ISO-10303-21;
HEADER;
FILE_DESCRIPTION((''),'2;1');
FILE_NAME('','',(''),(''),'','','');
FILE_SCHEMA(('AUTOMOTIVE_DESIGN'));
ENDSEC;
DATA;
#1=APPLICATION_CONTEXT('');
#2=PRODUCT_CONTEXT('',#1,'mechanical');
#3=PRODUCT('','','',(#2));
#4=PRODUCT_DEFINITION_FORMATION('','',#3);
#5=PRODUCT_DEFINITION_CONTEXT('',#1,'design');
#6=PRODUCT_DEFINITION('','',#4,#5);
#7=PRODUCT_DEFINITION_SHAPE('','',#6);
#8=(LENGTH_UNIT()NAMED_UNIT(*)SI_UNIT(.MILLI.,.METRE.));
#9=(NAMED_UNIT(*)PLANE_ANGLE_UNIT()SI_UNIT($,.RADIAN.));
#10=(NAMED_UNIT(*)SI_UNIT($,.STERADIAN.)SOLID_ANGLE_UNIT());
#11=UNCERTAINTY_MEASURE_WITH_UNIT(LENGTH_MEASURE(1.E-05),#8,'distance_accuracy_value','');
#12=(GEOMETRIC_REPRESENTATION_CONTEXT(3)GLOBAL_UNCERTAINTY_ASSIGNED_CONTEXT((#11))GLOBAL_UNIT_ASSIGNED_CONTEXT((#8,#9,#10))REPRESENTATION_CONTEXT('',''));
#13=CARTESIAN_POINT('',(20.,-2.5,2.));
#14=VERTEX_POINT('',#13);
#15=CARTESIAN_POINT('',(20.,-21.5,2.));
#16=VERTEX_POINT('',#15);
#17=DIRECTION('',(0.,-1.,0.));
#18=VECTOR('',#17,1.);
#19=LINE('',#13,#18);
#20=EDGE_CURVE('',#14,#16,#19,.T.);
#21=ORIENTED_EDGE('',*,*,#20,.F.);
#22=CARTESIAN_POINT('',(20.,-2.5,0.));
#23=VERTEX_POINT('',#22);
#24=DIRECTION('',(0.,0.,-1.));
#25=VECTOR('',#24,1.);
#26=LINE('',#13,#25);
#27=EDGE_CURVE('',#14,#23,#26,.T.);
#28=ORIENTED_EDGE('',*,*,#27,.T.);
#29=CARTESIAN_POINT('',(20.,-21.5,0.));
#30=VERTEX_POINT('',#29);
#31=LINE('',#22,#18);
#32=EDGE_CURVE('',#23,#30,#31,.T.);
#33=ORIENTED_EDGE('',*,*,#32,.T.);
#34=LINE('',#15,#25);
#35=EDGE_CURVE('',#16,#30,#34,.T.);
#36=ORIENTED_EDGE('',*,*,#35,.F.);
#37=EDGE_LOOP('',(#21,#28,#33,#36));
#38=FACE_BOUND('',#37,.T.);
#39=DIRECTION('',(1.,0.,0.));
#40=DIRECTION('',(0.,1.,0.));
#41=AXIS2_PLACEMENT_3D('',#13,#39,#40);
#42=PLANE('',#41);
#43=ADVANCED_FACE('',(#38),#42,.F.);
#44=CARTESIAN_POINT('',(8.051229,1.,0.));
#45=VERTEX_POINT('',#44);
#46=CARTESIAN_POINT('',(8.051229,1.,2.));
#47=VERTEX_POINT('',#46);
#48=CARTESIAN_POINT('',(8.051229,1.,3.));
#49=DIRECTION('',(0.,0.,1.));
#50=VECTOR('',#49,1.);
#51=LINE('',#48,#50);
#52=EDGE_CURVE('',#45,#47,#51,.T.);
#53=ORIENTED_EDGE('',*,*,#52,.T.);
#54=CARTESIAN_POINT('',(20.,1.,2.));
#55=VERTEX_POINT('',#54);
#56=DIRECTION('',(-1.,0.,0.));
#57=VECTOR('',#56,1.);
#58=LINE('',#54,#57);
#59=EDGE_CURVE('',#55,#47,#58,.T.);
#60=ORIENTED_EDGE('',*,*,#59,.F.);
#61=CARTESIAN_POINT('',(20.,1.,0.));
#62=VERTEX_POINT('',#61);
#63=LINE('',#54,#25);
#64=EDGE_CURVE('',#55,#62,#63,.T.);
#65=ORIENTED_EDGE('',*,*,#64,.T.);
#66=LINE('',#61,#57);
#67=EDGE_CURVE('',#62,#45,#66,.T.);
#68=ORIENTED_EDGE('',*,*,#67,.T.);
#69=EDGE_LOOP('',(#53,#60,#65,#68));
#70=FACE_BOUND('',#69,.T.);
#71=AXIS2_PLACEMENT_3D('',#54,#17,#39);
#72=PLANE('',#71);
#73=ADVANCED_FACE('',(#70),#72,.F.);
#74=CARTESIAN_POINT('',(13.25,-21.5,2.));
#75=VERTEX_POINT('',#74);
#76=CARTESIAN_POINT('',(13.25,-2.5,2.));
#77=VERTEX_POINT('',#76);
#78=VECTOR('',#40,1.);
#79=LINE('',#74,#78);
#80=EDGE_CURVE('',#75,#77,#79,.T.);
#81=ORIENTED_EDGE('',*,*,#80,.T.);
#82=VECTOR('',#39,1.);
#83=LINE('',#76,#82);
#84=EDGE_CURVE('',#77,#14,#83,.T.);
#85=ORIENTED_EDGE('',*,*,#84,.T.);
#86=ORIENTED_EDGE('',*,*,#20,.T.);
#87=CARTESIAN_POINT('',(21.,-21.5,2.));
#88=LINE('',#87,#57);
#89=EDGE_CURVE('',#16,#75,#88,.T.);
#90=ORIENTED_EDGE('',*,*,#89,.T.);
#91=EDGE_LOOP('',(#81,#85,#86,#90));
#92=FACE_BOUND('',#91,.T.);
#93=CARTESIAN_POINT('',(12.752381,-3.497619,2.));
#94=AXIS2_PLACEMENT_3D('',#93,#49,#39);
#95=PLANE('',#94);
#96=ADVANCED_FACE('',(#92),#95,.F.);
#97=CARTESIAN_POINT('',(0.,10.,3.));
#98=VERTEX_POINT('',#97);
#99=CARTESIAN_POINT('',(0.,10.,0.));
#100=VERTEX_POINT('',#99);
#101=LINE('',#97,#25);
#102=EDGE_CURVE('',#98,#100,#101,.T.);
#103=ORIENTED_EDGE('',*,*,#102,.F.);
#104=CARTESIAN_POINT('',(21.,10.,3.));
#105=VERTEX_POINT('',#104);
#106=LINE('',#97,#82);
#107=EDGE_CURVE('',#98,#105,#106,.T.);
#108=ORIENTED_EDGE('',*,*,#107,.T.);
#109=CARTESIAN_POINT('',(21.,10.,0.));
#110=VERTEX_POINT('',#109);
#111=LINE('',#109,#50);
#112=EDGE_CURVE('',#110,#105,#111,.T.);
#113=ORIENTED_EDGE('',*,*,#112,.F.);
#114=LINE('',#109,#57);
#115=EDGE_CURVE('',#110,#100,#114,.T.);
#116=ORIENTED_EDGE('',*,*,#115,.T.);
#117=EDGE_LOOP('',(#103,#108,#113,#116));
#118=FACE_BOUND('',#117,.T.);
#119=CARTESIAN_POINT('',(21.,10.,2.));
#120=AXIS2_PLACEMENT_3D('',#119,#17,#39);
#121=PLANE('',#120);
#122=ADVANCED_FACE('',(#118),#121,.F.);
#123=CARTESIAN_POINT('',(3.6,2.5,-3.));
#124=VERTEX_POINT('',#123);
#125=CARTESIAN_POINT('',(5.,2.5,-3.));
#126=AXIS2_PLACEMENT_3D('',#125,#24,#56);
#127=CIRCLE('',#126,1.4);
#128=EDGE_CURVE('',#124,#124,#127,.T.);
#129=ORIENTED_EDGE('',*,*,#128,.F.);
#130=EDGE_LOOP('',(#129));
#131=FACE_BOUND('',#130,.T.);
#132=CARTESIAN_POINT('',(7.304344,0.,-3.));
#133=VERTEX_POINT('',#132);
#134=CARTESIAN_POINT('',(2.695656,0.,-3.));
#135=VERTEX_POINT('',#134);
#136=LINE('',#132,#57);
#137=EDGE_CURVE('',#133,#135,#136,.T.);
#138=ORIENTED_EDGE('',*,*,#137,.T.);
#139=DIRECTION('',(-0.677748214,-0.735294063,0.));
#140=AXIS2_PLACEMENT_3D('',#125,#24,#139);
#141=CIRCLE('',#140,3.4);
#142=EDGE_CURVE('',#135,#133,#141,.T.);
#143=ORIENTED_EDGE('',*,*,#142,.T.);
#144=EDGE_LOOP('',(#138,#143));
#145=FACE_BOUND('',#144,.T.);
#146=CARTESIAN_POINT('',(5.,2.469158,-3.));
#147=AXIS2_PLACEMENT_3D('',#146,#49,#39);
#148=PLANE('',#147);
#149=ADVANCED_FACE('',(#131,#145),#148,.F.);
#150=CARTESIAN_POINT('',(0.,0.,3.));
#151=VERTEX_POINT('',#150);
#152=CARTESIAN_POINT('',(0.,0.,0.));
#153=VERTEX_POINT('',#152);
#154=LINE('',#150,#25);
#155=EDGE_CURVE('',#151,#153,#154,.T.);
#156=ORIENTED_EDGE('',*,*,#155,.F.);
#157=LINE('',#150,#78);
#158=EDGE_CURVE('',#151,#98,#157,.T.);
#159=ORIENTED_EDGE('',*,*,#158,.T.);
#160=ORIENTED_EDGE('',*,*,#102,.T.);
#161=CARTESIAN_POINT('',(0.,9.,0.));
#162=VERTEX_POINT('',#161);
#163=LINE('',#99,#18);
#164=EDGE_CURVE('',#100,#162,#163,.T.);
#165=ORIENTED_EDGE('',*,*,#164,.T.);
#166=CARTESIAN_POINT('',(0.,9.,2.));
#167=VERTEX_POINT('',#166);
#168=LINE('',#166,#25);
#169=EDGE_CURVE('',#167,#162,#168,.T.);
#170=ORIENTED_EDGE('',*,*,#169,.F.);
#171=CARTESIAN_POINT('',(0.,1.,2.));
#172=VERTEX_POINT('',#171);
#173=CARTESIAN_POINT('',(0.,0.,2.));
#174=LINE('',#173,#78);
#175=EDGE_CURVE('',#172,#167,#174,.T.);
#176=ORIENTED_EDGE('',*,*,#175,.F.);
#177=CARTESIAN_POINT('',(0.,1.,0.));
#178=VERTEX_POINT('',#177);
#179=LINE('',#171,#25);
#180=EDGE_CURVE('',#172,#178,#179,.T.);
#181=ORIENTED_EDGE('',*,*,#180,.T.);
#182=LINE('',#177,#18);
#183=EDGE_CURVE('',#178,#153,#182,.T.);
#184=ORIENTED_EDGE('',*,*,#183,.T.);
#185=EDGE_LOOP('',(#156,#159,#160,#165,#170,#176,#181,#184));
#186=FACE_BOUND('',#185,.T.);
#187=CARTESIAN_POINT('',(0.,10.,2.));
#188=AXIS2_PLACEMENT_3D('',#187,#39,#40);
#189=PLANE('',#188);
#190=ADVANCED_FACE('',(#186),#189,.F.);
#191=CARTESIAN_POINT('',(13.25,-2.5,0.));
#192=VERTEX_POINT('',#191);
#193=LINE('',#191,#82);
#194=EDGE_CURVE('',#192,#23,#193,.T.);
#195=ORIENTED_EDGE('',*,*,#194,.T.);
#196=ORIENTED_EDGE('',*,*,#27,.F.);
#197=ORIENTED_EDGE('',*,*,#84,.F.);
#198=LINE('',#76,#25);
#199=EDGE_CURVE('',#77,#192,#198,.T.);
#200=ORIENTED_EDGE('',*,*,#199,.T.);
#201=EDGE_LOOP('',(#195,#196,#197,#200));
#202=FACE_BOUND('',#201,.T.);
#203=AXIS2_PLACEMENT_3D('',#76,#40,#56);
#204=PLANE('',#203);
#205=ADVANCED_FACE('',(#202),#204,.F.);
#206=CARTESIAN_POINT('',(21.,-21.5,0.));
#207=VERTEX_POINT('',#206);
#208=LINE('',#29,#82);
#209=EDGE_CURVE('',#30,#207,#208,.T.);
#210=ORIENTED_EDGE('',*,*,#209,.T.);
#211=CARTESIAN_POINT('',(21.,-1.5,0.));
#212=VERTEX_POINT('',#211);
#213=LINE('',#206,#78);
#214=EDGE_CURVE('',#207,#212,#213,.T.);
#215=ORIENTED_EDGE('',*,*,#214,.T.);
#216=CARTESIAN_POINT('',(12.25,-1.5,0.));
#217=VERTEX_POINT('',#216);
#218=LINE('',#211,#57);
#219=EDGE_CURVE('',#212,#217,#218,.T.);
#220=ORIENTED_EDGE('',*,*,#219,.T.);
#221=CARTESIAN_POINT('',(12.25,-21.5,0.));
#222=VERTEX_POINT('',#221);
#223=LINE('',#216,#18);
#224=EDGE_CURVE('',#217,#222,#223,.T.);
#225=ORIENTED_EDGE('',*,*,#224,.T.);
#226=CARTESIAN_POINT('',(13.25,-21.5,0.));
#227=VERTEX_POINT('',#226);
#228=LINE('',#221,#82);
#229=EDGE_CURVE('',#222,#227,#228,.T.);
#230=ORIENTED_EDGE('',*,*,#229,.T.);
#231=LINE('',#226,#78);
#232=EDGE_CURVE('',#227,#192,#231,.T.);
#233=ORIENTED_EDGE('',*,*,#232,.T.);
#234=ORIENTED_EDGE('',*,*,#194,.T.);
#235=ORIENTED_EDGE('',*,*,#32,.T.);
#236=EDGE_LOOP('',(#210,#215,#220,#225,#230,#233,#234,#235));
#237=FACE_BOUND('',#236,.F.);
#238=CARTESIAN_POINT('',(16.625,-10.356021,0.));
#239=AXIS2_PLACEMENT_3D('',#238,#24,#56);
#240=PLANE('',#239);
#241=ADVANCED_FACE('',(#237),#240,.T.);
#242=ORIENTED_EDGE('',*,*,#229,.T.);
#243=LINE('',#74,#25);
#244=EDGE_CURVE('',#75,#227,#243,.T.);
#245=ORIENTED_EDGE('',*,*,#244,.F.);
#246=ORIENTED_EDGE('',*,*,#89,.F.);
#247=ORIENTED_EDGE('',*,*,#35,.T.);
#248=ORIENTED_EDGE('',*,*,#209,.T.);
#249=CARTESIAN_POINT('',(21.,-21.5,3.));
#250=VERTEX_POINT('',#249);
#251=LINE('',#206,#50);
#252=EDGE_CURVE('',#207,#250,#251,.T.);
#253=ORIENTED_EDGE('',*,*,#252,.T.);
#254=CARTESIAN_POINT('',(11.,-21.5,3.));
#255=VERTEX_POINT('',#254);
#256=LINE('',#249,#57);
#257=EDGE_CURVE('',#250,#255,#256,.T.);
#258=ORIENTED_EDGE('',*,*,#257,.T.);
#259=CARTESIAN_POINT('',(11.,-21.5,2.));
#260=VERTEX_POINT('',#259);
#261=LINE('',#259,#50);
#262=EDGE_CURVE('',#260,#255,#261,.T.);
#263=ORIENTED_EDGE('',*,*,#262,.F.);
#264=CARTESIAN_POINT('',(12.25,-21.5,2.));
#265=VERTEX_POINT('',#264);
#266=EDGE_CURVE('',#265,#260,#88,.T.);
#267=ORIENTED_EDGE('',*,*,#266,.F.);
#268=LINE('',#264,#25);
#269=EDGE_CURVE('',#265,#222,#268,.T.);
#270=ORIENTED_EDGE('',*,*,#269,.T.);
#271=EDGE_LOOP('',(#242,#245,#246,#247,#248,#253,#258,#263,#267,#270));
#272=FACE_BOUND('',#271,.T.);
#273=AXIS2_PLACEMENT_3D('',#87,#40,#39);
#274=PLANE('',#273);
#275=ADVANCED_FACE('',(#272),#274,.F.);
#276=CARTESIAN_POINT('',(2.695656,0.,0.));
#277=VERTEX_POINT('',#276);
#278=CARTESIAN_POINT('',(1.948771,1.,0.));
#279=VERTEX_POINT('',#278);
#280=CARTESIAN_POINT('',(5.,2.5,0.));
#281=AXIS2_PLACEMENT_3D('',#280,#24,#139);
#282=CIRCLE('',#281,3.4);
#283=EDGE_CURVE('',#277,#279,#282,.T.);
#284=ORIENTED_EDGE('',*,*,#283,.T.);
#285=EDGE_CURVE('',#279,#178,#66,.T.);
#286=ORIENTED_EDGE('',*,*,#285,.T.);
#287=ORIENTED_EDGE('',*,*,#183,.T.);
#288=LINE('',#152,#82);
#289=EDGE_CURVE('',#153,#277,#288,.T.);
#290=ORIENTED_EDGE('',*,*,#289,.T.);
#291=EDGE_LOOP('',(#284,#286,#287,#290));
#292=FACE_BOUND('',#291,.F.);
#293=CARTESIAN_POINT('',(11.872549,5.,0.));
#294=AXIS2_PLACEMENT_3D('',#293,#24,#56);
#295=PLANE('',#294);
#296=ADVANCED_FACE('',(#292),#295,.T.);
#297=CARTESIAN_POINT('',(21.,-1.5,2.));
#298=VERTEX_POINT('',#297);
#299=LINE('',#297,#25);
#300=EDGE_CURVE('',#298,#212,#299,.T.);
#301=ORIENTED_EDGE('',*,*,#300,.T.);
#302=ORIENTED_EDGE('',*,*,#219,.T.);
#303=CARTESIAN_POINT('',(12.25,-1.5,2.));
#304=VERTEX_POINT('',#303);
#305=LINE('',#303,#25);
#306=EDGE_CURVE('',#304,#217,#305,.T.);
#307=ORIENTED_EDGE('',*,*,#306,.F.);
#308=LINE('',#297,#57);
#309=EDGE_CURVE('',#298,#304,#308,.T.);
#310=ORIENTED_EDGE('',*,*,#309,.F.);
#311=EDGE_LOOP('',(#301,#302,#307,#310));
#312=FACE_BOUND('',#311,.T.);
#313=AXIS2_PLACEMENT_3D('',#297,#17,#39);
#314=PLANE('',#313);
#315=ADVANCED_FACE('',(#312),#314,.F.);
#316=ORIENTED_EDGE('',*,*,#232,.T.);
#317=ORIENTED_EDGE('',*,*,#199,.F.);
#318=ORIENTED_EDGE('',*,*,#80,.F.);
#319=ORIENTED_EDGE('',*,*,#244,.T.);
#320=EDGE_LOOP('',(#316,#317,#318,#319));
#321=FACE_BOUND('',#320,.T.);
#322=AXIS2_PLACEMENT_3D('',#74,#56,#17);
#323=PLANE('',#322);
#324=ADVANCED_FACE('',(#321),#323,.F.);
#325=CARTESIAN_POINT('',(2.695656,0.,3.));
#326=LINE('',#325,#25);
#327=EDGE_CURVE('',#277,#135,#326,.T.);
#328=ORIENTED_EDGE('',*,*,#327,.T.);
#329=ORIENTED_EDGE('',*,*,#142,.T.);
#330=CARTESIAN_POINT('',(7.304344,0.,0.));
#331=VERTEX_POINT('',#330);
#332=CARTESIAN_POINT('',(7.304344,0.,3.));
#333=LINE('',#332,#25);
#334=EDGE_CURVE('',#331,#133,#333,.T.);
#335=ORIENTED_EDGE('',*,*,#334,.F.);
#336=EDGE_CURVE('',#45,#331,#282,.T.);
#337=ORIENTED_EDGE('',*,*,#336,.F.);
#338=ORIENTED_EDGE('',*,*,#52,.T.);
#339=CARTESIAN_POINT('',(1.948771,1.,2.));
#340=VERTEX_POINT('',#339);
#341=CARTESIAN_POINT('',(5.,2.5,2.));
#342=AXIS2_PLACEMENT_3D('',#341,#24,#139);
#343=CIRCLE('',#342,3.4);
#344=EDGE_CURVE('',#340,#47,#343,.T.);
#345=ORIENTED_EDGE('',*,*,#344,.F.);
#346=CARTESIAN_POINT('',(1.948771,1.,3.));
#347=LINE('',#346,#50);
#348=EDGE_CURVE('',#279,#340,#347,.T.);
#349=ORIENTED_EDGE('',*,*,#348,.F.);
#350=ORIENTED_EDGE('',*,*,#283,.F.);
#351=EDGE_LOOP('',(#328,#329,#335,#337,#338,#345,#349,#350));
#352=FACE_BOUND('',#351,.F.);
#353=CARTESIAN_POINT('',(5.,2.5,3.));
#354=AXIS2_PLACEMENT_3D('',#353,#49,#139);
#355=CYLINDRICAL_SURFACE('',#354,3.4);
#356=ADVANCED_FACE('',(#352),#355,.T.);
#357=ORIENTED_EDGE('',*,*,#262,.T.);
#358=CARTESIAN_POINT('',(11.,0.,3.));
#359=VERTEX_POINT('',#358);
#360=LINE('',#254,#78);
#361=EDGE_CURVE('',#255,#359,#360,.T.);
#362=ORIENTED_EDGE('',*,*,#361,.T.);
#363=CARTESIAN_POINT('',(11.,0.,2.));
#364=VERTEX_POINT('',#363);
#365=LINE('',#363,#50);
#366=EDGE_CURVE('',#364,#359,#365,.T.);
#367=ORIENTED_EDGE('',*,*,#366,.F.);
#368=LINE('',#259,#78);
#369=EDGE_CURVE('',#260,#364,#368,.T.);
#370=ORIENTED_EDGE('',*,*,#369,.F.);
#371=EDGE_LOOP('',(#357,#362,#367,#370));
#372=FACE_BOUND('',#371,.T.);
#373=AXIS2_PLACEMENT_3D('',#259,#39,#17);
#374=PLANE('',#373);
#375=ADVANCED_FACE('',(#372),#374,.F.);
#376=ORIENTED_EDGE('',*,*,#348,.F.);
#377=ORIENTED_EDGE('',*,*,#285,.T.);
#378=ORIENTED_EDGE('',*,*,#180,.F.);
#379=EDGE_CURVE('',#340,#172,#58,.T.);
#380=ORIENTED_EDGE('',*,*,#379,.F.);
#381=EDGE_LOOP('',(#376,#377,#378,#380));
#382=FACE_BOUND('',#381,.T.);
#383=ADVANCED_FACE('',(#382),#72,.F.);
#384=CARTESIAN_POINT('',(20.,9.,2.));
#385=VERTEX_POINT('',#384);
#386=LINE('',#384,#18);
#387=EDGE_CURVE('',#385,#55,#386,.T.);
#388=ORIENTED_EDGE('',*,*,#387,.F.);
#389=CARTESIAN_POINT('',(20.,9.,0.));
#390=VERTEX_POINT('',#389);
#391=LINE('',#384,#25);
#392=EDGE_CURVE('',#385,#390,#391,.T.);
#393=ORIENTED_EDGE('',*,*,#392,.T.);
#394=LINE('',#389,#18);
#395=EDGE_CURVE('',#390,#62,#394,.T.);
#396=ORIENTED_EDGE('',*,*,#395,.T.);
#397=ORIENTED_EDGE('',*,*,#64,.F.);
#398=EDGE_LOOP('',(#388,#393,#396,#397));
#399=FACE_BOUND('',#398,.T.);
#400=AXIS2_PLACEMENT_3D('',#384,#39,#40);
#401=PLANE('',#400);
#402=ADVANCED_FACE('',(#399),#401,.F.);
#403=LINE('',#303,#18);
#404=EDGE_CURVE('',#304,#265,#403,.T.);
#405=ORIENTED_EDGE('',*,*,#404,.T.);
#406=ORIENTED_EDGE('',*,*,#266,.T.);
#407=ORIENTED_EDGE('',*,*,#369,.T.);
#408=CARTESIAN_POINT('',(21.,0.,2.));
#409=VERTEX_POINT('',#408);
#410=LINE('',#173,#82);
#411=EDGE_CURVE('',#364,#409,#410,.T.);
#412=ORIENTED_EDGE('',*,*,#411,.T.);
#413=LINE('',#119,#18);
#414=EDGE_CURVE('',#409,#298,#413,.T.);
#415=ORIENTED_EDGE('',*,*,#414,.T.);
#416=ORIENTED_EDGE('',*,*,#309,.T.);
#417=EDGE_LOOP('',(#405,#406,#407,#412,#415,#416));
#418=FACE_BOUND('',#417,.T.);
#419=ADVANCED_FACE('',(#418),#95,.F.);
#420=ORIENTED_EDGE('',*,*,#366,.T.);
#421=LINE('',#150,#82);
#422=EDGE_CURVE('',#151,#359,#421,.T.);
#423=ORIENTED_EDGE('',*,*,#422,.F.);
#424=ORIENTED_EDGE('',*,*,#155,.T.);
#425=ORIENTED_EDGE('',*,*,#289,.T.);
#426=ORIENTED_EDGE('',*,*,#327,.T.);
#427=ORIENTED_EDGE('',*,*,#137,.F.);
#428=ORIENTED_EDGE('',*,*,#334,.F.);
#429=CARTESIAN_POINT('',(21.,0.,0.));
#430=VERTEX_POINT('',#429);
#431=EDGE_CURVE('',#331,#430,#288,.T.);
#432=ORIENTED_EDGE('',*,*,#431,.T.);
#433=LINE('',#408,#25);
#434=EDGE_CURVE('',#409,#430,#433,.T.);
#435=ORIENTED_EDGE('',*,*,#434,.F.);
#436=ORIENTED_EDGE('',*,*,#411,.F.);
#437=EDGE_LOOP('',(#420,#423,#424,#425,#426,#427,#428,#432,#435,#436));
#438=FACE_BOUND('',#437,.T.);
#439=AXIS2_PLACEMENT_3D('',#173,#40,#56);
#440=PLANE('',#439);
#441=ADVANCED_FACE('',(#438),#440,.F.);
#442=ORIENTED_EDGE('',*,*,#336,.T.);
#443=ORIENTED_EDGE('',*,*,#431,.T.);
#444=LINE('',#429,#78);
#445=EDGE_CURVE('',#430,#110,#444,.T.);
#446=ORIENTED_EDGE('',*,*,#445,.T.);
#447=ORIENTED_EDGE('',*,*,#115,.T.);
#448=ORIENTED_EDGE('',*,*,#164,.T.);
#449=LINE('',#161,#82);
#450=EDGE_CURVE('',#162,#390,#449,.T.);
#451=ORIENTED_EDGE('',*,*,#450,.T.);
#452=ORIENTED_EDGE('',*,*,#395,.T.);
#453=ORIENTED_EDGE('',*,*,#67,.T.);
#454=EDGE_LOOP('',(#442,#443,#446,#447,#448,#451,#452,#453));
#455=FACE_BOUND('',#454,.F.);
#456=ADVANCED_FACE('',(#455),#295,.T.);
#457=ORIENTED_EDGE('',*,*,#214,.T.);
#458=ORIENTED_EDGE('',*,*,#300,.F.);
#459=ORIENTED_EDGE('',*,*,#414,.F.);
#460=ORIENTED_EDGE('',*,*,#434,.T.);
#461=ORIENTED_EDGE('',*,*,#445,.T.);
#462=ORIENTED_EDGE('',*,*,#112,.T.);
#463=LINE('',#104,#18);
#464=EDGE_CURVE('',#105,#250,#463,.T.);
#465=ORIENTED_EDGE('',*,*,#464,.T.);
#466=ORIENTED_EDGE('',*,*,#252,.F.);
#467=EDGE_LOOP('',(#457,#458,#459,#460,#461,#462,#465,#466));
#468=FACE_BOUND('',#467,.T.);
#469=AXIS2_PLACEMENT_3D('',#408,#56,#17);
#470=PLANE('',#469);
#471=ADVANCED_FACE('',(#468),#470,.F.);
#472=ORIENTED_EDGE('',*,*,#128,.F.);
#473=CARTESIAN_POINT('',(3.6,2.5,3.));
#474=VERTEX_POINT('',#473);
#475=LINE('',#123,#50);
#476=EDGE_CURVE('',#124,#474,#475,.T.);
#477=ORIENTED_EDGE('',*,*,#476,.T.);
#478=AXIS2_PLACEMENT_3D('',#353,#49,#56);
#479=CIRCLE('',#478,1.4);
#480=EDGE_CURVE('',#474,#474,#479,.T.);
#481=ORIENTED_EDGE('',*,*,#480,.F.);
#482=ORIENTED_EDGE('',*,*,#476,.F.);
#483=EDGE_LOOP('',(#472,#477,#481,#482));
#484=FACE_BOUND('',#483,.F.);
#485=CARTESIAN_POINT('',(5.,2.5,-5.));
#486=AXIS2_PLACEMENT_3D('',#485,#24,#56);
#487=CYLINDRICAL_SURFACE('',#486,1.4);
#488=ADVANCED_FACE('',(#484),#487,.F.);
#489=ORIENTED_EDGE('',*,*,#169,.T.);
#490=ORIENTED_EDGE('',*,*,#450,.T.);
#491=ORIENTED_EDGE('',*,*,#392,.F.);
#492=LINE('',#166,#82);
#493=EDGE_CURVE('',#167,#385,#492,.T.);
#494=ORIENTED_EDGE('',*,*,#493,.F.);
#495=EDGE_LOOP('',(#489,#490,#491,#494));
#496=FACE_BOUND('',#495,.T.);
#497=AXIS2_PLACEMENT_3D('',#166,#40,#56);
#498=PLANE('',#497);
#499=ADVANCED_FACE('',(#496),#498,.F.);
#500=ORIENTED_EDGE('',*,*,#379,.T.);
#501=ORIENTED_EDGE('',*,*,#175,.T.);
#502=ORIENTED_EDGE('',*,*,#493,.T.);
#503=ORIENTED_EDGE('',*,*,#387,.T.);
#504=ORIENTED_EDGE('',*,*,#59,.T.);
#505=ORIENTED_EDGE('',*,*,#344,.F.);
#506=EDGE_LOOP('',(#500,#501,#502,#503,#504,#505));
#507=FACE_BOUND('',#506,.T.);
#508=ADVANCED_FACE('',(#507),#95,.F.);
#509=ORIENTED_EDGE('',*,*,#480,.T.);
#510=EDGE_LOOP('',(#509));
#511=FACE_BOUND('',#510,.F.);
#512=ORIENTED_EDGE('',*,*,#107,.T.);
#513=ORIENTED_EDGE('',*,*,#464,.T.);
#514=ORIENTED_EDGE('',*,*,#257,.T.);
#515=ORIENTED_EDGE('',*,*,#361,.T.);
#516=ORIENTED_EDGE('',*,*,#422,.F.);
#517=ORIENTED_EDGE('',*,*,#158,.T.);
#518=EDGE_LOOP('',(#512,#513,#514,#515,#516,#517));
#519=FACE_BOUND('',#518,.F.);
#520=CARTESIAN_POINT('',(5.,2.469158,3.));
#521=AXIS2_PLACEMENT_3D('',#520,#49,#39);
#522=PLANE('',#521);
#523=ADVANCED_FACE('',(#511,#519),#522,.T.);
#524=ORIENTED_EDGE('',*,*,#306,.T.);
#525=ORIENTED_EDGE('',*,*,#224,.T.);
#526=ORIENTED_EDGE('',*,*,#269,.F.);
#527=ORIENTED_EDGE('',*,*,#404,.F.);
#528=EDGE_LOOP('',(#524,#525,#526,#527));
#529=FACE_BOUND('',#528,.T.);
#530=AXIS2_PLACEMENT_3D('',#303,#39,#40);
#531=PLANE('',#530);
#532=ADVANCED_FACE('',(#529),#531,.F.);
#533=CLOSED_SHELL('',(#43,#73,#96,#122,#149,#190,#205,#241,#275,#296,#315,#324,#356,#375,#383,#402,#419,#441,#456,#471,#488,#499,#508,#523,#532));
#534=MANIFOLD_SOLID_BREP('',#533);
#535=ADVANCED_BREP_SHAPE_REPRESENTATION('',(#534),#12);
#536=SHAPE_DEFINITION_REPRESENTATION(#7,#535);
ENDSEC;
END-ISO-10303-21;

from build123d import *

# Parameters (mm, degrees)
CYLINDER005_R     = 1.4
CYLINDER005_DEPTH = 10
EXTRUDE001_DEPTH  = 2
SKETCH002_R       = 1.4
EXTRUDE002_DEPTH  = 6
EXTRUDE_DEPTH     = 1


with BuildPart() as cylinder005:
    # Cylinder005 → Cylinder005 (new body)
    with BuildSketch(Plane(origin=(-5, 2.5, -5), x_dir=(1, 0, 0), z_dir=(0, 0, 1))):
        Circle(CYLINDER005_R)
    extrude(amount=CYLINDER005_DEPTH)


with BuildPart() as extrude001:
    # Sketch001 → Extrude001 (new body)
    with BuildSketch(Plane.XY.offset(10)):
        Polygon((-21, 10), (0, 10), (0, 9), (-20, 9), (-20, 1), (0, 1), (0, 0), (-21, 0), align=None)
        Polygon((-21, -1.5), (-12.25, -1.5), (-12.25, -21.5), (-13.25, -21.5), (-13.25, -2.5), (-20, -2.5), (-20, -21.5), (-21, -21.5), align=None)
    extrude(amount=-EXTRUDE001_DEPTH)


with BuildPart() as extrude001_1:
    # Extrude001 placement: moved
    add(extrude001.part.moved(Location((0, 0, -8))))


with BuildPart() as extrude002:
    # Sketch002 → Extrude002 (new body)
    with BuildSketch(Plane.XY.offset(10)):
        with BuildLine():
            ThreePointArc((-2.695656, 0), (-5, 5.9), (-7.304344, 0))
            Line((-7.304344, 0), (-2.695656, 0))
        make_face()
        with Locations((-5, 2.5)):
            Circle(SKETCH002_R, mode=Mode.SUBTRACT)
    extrude(amount=-EXTRUDE002_DEPTH)


with BuildPart() as extrude002_1:
    # Extrude002 placement: moved
    add(extrude002.part.moved(Location((0, 0, -7))))


with BuildPart() as body002:
    # Sketch → Extrude (new body)
    with BuildSketch(Plane.XY):
        Polygon((-11, 0), (0, 0), (0, 10), (-21, 10), (-21, -21.5), (-11, -21.5), align=None)
    extrude(amount=EXTRUDE_DEPTH)


with BuildPart() as body002_1:
    # Extrude placement: moved
    add(body002.part.moved(Location((0, 0, 2))))

    # Fusion012: union Extrude001, Extrude002
    add(extrude001_1.part)
    add(extrude002_1.part)

    # Cut001: cut Cylinder005
    add(cylinder005.part, mode=Mode.SUBTRACT)


with BuildPart() as part_mirroring003:
    # Part__Mirroring003: instance of Body002
    add(body002_1.part.mirror(Plane(origin=(0, 0, 0), x_dir=(0, -1, 0), z_dir=(1, 0, 0))))


solid = part_mirroring003.part
